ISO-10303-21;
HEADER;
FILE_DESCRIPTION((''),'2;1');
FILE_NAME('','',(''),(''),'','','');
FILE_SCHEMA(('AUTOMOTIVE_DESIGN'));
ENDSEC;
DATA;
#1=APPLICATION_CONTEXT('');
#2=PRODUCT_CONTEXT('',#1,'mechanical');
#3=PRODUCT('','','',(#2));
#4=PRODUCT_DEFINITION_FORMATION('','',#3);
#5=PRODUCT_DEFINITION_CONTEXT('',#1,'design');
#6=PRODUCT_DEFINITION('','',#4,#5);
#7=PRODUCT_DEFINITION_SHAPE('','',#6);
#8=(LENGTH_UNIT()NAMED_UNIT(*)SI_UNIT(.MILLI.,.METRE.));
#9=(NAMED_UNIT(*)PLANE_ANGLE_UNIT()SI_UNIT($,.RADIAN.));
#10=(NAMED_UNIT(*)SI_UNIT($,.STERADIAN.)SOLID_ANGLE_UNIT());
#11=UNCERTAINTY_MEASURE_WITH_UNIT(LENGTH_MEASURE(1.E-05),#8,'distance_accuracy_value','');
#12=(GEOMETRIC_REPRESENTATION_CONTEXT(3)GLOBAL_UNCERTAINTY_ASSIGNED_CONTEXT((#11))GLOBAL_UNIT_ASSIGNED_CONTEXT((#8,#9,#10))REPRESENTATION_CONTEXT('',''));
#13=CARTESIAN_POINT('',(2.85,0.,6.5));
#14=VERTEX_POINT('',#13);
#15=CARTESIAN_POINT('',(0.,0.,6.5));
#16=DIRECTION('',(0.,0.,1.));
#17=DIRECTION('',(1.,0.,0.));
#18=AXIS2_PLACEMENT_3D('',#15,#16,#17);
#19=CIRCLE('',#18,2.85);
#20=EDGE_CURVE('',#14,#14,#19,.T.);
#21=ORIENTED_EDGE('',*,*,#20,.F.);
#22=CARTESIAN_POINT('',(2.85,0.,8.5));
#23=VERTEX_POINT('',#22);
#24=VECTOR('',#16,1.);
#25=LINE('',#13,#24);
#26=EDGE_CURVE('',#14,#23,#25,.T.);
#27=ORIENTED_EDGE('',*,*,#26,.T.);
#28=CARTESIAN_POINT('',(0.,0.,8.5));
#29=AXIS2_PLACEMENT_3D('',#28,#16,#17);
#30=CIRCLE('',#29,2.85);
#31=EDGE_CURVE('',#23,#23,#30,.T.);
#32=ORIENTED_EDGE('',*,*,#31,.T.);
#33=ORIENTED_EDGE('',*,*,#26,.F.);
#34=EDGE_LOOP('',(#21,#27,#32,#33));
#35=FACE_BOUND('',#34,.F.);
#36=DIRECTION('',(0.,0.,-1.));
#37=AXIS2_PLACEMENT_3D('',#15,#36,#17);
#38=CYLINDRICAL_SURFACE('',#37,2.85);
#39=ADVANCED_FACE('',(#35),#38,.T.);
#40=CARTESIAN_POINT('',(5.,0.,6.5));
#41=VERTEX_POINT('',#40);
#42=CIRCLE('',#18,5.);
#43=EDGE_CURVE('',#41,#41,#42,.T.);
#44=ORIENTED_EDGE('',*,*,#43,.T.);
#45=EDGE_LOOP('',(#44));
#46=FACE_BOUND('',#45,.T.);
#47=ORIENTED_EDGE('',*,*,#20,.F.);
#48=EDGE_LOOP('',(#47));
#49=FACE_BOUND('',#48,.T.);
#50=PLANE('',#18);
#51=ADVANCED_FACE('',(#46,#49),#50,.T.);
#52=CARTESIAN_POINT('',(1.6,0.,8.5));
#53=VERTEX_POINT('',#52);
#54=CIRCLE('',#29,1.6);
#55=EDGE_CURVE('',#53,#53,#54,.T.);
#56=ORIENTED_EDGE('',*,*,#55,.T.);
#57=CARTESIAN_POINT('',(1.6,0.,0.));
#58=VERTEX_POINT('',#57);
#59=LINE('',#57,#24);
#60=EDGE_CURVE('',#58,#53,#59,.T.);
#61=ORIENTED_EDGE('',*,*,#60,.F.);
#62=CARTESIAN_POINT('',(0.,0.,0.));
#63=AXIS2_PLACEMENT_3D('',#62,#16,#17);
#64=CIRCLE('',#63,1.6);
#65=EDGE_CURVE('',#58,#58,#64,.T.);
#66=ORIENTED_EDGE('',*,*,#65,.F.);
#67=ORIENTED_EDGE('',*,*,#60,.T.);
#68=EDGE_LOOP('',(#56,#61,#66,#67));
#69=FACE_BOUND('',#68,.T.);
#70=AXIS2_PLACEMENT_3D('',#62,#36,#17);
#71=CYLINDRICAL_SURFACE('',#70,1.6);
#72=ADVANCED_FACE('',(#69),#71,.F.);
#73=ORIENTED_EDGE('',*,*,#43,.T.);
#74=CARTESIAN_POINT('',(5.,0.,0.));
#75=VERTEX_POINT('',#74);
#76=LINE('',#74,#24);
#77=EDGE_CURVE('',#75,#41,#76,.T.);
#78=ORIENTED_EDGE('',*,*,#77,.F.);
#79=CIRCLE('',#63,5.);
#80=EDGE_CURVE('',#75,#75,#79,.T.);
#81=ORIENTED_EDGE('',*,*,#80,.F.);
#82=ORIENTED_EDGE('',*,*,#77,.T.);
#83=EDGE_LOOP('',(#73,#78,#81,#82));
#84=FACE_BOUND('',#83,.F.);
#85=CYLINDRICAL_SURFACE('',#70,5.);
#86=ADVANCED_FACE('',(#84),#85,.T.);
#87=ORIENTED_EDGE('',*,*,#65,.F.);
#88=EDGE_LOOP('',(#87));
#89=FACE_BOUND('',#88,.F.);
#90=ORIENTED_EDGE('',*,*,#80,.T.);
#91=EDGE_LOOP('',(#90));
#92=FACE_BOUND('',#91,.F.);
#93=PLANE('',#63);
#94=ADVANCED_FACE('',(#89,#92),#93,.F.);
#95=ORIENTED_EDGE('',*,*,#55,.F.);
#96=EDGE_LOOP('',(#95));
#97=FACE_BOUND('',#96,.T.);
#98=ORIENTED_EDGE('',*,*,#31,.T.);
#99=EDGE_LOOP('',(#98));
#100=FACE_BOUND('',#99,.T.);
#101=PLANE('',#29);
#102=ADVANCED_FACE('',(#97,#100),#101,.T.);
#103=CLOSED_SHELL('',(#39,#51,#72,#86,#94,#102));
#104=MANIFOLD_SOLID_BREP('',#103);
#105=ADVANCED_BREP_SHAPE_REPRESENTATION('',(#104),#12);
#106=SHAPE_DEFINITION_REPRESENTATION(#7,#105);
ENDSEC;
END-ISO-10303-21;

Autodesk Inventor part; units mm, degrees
ref_plane "YZ Plane" through (0, 0, 0) normal (1, 0, 0) x (0, 1, 0)
ref_plane "XZ Plane" through (0, 0, 0) normal (0, 1, 0) x (-1, 0, 0)
ref_plane "XY Plane" through (0, 0, 0) normal (0, 0, 1) x (1, 0, 0)
sketch "Sketch1" plane through (0, 0, 0) normal (0, 0, 1) x (1, 0, 0)
  circle A0 centre (0, 0) radius 1.6
  circle A1 centre (0, 0) radius 5
  dimension "d0" = 3.2
  dimension "d1" = 10
extrude "Extrusion1" add sketch "Sketch1" along normal blind 6.5
sketch "Sketch2" plane through (0, 0, 6.5) normal (0, 0, 1) x (1, 0, 0)
  circle A0 centre (0, 0) radius 1.6 projected
  circle A1 centre (0, 0) radius 2.85
  dimension "d4" = 5.7
extrude "Extrusion2" add sketch "Sketch2" along normal blind 2
properties part number "spacer 6_5mm"
